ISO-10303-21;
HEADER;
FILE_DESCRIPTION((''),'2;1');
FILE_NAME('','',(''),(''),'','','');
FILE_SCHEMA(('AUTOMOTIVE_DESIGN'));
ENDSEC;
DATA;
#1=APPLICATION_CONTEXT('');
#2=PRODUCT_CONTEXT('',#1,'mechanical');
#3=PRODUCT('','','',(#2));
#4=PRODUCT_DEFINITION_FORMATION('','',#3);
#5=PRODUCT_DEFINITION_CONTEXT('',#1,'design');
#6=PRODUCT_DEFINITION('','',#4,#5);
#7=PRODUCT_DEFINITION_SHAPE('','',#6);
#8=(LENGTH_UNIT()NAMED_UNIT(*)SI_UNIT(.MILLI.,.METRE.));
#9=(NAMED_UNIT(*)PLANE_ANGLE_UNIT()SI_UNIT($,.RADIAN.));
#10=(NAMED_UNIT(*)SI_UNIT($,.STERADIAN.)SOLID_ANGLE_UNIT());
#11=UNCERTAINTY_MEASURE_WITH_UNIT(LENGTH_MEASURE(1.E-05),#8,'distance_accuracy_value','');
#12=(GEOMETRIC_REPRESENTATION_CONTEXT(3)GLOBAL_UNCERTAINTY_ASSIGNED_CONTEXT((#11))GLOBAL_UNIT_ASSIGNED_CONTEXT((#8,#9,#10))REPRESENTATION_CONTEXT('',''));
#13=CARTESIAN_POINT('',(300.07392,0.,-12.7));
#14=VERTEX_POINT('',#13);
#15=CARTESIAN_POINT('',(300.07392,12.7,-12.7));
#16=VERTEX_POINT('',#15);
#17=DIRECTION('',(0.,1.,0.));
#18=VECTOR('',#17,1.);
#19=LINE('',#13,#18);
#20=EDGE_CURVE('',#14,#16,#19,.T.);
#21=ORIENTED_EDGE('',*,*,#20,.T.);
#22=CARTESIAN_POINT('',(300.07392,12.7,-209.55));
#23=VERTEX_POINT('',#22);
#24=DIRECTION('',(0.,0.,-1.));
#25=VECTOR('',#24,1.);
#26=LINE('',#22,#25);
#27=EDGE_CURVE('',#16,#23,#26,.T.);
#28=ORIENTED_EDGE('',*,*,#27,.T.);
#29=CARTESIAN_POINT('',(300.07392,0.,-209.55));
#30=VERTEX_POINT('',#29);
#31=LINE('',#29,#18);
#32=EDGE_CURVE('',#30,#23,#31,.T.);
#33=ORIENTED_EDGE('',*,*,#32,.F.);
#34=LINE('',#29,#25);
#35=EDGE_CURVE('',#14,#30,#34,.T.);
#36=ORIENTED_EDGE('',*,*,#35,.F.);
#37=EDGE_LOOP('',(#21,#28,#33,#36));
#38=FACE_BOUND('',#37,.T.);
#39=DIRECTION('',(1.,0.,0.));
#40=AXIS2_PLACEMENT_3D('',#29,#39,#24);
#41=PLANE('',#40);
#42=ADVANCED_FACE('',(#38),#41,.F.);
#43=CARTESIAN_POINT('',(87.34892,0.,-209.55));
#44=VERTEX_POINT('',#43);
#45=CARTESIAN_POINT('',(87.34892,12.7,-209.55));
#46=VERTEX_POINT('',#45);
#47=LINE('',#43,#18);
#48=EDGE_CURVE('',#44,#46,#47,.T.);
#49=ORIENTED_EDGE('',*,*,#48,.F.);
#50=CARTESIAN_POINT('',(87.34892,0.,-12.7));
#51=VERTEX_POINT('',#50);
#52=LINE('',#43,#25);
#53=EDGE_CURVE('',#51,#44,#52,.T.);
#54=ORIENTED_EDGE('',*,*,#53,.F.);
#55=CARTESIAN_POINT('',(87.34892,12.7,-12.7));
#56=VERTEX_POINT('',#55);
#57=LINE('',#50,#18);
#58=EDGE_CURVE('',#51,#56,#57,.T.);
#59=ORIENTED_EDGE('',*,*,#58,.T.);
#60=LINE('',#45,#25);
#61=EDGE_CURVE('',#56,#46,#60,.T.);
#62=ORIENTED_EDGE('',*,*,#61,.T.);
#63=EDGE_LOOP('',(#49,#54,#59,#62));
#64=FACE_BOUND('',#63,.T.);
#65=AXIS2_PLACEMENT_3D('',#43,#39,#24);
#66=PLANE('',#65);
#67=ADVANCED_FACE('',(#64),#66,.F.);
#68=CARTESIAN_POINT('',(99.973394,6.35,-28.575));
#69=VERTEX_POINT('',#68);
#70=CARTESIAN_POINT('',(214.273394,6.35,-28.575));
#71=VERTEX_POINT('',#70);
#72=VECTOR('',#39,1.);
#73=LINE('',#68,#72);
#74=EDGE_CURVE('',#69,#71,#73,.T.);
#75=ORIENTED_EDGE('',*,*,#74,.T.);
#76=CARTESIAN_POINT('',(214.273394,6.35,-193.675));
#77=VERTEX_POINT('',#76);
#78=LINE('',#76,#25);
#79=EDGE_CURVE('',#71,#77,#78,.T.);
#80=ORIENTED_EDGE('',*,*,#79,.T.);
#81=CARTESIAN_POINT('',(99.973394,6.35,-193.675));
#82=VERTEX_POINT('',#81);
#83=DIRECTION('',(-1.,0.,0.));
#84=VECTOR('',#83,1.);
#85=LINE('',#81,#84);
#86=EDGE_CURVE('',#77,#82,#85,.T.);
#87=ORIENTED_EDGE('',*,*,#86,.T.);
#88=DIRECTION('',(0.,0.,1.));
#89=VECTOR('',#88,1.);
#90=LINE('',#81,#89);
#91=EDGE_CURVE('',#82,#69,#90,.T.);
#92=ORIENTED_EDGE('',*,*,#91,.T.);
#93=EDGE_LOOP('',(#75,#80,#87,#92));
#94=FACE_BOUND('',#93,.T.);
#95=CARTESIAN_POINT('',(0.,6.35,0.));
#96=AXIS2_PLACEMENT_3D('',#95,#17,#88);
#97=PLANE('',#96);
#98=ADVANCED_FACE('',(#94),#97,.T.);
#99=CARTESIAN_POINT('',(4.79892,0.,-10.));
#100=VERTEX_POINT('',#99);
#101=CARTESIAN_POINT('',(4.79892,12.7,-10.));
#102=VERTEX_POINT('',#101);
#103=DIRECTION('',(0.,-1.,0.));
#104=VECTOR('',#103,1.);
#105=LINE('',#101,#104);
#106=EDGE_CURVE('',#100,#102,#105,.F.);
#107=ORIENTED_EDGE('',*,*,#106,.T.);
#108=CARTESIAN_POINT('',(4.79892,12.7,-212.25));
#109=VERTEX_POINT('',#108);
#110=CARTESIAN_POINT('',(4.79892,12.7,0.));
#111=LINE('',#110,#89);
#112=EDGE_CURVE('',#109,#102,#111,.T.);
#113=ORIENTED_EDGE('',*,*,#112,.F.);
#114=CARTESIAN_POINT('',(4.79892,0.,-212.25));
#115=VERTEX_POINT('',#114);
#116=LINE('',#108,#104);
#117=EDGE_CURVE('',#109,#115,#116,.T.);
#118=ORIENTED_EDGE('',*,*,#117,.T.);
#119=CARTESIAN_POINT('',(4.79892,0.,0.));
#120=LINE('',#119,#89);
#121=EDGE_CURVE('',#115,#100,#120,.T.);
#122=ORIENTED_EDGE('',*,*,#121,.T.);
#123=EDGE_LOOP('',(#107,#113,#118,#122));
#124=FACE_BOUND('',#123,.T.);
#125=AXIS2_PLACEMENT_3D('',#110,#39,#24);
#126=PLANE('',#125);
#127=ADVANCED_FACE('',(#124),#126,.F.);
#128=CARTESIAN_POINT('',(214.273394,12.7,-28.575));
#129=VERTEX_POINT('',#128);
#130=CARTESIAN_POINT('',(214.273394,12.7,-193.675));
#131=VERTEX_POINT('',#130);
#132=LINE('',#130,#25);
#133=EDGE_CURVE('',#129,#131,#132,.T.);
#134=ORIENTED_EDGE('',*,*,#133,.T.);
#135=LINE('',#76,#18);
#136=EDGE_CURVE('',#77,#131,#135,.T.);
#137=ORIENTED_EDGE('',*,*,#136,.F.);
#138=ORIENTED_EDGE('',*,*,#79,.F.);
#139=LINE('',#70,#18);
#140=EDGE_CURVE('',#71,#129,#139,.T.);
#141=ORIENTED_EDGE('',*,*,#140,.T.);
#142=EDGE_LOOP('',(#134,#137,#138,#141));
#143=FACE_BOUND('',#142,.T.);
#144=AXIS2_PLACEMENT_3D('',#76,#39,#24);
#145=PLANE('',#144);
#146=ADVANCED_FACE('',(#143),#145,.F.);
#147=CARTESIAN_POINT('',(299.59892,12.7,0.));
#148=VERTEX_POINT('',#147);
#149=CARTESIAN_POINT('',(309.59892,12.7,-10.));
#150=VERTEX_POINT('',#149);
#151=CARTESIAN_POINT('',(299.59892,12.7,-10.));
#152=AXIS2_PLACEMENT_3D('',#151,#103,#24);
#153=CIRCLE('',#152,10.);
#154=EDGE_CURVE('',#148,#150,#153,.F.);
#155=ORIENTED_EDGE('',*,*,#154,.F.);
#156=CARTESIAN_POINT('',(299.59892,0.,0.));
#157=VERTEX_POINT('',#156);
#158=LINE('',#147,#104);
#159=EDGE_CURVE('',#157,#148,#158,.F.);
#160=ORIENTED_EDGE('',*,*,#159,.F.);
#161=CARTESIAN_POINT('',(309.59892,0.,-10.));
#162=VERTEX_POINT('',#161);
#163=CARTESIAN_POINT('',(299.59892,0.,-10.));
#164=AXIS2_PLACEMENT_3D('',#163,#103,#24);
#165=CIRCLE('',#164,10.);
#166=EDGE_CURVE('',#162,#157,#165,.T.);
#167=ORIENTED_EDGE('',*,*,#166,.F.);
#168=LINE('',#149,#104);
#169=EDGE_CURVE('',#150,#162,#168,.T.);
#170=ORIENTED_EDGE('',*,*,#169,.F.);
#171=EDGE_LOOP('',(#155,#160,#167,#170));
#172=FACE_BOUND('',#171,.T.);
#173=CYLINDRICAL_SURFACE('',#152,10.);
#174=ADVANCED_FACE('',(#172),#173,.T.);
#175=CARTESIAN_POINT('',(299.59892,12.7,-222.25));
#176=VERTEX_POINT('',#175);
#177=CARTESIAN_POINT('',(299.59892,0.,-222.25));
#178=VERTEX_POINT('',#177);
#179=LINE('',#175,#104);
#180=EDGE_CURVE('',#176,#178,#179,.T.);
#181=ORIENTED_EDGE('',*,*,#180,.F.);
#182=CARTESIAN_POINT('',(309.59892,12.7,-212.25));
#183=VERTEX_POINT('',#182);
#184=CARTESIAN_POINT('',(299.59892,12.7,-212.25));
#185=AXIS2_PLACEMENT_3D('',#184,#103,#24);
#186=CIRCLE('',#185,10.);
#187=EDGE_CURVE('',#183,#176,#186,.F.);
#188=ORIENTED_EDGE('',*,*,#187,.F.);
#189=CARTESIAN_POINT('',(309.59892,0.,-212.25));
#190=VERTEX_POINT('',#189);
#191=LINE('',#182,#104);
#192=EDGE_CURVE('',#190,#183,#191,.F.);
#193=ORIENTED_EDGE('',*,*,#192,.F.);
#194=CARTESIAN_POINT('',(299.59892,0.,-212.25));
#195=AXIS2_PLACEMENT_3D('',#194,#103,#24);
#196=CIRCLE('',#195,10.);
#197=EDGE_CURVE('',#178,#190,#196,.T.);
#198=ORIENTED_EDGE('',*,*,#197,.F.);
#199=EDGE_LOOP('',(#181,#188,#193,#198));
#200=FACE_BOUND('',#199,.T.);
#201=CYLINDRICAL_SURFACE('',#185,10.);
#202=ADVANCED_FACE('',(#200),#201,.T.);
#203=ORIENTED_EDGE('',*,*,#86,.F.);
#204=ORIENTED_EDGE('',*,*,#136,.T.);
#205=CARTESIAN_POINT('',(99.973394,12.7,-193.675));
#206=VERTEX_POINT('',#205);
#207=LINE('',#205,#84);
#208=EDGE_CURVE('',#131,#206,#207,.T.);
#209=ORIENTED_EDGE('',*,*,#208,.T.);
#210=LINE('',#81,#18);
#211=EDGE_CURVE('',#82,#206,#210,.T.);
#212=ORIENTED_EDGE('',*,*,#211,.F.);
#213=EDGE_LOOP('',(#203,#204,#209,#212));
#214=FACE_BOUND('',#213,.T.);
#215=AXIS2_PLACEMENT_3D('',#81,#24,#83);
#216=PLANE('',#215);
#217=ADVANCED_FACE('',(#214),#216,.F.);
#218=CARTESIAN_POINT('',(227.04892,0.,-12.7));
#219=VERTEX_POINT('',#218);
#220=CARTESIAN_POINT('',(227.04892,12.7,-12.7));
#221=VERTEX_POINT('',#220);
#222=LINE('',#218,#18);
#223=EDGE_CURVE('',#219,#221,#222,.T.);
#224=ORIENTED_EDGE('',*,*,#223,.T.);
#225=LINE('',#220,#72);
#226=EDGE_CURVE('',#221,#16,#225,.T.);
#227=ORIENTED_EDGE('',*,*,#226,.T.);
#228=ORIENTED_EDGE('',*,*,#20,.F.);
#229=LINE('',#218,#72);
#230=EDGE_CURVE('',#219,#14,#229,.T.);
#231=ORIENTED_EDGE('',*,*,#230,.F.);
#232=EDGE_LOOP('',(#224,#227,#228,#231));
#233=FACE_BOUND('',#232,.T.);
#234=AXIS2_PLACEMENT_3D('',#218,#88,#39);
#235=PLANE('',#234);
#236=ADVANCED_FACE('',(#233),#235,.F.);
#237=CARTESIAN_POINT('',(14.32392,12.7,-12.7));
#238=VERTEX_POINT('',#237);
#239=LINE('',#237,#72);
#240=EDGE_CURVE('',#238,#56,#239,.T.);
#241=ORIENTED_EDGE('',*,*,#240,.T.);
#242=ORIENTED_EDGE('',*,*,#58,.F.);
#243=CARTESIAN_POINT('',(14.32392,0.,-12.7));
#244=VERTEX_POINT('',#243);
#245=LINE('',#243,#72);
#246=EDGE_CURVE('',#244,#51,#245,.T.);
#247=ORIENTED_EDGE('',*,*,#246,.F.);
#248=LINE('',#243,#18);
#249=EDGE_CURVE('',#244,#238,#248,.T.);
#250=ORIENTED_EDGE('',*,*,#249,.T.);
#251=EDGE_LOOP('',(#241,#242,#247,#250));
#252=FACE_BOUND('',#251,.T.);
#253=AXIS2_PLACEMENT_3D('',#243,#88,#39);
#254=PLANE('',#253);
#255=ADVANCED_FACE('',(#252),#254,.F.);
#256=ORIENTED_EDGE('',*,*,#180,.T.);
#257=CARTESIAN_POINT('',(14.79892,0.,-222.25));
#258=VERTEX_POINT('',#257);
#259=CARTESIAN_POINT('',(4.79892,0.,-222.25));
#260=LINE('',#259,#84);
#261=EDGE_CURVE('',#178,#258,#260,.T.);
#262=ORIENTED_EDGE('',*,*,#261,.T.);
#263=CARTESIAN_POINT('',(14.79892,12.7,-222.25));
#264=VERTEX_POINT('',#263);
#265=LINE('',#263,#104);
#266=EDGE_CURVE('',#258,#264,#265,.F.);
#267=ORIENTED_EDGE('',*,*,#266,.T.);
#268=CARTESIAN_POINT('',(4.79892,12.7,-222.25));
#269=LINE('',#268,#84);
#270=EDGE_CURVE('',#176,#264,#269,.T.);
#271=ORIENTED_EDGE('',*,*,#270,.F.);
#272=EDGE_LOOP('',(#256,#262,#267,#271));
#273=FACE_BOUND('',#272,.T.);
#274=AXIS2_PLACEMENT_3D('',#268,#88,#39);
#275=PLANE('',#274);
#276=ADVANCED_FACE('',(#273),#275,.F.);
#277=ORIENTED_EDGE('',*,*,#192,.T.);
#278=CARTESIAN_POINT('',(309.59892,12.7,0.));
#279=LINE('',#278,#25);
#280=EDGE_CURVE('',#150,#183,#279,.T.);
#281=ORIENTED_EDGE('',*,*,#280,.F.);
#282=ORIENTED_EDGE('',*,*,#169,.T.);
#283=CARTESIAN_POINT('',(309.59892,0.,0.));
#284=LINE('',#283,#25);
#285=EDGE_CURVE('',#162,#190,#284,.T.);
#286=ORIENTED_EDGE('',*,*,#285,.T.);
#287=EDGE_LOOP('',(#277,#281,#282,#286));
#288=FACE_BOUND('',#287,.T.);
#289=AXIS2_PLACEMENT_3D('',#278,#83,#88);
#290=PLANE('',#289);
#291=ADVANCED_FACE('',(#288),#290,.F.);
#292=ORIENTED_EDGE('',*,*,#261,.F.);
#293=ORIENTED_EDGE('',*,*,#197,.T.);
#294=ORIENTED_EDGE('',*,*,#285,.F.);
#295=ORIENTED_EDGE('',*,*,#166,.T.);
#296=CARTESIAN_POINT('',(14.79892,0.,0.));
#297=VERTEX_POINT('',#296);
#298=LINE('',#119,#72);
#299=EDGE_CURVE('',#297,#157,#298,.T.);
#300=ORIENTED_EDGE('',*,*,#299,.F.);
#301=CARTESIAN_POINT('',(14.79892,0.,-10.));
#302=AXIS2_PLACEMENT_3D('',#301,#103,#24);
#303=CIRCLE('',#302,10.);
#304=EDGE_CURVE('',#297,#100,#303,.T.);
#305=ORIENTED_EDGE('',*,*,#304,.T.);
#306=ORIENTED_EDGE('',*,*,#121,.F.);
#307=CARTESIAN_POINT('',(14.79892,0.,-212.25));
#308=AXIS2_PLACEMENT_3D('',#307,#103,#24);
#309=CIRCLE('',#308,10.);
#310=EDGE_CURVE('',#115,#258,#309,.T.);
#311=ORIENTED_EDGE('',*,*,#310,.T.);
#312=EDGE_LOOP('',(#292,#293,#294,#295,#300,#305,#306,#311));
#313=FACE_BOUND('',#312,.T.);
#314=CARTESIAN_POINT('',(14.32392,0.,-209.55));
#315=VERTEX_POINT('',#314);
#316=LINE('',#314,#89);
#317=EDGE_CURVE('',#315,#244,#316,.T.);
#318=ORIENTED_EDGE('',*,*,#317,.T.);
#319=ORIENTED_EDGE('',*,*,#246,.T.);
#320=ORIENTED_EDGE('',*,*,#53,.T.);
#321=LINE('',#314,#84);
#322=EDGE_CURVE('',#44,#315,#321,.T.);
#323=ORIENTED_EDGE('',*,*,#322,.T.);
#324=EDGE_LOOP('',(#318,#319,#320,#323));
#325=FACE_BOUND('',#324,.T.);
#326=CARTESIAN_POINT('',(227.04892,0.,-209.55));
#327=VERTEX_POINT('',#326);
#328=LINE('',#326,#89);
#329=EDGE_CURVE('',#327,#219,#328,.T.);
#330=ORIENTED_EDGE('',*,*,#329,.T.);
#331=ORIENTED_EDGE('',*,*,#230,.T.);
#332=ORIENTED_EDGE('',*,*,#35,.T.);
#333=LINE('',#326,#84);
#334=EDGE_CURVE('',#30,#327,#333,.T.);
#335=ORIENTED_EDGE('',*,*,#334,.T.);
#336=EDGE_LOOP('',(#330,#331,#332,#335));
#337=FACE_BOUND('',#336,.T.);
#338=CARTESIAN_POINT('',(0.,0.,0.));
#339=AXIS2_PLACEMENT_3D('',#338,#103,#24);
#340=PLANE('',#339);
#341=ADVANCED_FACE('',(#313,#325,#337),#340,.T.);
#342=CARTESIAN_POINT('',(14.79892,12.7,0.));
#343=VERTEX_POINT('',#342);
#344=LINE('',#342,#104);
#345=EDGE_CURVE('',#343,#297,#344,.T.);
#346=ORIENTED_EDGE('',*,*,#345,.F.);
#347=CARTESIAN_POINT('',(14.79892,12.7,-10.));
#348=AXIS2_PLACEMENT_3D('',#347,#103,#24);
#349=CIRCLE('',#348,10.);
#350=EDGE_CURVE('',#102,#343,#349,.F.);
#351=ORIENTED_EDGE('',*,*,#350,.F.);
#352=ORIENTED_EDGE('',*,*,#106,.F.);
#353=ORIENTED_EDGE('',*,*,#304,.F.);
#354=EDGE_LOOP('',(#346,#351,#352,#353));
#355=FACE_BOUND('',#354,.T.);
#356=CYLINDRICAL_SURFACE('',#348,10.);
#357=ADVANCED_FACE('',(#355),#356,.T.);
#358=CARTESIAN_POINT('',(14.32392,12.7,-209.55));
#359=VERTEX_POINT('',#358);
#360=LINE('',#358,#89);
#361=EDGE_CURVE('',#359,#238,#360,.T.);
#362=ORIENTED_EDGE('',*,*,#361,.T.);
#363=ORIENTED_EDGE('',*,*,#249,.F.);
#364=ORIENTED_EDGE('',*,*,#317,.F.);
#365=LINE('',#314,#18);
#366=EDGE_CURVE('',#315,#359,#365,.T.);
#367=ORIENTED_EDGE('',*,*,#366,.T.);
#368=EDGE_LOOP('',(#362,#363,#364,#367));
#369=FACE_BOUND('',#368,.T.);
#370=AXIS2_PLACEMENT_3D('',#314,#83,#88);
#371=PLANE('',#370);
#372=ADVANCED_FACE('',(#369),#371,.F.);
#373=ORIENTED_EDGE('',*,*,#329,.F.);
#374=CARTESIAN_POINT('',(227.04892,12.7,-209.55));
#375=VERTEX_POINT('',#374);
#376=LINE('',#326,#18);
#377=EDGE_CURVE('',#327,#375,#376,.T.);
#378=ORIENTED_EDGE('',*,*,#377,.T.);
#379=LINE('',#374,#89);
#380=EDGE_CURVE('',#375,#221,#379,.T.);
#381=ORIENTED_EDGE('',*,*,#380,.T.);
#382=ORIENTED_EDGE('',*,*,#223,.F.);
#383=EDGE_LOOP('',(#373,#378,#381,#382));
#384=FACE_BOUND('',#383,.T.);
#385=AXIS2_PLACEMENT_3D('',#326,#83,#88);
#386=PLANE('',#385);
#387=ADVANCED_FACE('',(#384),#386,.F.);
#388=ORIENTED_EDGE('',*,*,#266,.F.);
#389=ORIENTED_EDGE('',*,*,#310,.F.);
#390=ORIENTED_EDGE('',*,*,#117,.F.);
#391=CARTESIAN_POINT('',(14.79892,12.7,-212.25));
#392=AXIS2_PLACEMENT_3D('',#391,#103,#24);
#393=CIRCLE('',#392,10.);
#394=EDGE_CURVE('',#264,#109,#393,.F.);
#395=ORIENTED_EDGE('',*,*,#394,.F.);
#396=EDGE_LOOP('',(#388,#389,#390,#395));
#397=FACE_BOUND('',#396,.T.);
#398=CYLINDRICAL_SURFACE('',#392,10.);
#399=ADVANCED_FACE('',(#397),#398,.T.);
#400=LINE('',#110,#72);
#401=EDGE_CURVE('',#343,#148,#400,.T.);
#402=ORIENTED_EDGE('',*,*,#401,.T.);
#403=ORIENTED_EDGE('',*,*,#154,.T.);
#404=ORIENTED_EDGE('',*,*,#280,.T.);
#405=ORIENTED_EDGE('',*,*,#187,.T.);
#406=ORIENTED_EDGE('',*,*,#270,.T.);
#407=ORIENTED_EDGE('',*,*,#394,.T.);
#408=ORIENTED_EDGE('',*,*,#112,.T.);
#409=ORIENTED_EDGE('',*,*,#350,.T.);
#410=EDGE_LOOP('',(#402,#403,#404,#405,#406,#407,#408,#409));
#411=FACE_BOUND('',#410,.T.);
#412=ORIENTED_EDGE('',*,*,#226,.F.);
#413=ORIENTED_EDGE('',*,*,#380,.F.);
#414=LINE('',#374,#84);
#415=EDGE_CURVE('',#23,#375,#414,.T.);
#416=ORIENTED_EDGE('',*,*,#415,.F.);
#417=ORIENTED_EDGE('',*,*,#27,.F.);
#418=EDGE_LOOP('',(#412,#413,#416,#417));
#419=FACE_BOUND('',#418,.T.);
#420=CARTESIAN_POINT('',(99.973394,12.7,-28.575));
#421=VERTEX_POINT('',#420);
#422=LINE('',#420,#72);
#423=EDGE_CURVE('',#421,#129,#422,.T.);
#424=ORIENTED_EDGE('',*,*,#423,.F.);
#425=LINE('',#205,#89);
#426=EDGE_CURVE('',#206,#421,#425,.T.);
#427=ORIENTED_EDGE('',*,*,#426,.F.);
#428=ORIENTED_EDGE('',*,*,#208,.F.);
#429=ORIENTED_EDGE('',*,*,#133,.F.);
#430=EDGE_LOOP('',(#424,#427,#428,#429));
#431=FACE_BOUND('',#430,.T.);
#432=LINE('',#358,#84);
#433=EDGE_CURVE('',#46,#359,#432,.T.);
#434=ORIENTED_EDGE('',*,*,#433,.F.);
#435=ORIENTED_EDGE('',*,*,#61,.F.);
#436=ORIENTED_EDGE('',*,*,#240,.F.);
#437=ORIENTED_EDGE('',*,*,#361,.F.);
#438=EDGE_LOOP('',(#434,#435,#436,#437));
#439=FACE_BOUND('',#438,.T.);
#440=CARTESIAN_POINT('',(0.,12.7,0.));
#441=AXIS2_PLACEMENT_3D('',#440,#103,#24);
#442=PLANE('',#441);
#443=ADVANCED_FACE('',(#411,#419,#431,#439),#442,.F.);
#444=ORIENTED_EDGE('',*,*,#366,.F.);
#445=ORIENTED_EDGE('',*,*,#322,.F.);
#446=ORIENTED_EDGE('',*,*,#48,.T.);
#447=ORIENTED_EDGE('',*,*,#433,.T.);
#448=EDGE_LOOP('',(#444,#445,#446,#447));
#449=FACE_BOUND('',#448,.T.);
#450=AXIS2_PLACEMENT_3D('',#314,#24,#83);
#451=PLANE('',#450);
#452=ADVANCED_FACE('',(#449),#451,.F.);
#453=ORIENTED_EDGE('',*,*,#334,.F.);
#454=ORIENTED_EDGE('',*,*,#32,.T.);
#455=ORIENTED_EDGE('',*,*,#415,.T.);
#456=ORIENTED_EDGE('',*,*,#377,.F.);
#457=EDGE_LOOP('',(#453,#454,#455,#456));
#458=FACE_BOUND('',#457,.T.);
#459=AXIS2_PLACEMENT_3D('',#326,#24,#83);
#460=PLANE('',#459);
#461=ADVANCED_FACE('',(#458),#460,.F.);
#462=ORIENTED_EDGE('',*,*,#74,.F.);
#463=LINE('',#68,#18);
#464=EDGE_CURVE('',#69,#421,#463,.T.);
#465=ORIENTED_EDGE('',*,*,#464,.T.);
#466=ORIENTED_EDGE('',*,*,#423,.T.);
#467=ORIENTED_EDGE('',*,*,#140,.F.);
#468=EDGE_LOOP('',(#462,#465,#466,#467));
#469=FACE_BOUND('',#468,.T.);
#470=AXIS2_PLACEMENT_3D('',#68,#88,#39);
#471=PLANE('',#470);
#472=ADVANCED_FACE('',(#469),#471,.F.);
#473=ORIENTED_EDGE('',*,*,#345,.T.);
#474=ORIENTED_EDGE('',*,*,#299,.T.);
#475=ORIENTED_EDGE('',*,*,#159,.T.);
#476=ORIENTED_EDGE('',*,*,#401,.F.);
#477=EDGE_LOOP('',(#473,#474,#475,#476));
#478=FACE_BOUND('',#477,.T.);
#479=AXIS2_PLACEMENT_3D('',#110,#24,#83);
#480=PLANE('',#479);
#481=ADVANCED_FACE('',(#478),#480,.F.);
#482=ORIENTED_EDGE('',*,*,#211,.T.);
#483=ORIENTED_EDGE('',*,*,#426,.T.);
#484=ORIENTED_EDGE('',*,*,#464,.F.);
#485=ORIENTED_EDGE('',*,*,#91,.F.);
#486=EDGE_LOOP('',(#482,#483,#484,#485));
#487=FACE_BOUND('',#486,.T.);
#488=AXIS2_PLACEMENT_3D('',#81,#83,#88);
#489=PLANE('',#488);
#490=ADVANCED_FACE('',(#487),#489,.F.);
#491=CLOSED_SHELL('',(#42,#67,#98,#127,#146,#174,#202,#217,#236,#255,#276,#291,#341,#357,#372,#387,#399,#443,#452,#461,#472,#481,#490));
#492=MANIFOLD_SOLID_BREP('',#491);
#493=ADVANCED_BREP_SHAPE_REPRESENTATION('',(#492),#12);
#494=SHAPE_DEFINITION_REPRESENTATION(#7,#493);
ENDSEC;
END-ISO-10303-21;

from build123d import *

# Parameters (mm, degrees)
SKETCH1_W           = 304.8
SKETCH1_H           = 222.25
BOSS_EXTRUDE1_DEPTH = 12.7
SKETCH2_W           = 73.025
SKETCH2_H           = 196.85
CUT_EXTRUDE1_DEPTH  = 12.7
SKETCH3_W           = 114.3
SKETCH3_H           = 165.1
CUT_EXTRUDE2_DEPTH  = 6.35
FILLET1_R           = 10


with BuildPart() as part:
    # Sketch1 → Boss-Extrude1 (new body)
    with BuildSketch(Plane(origin=(0, 0, 0), x_dir=(1, 0, 0), z_dir=(0, 1, 0))):
        with Locations((157.198920378, 111.125)):
            Rectangle(SKETCH1_W, SKETCH1_H)
    extrude(amount=BOSS_EXTRUDE1_DEPTH)

    # Sketch2 → Cut-Extrude1 (cut)
    with BuildSketch(Plane(origin=(0, 12.7, 0), x_dir=(1, 0, 0), z_dir=(0, 1, 0))):
        with Locations((50.836420378, 111.125)):
            Rectangle(SKETCH2_W, SKETCH2_H)
        with Locations((263.561420378, 111.125)):
            Rectangle(SKETCH2_W, SKETCH2_H)
    extrude(amount=-CUT_EXTRUDE1_DEPTH, mode=Mode.SUBTRACT)

    # Sketch3 → Cut-Extrude2 (cut)
    with BuildSketch(Plane(origin=(0, 12.7, 0), x_dir=(1, 0, 0), z_dir=(0, 1, 0))):
        with Locations((157.123394244, 111.125)):
            Rectangle(SKETCH3_W, SKETCH3_H)
    extrude(amount=-CUT_EXTRUDE2_DEPTH, mode=Mode.SUBTRACT)

    # Fillet1
    fillet1_edges = [part.edges().sort_by_distance(p)[0] for p in [
        (4.798920378, 6.35, -222.25),
        (309.598920378, 6.35, -222.25),
        (309.598920378, 6.35, 0),
        (4.798920378, 6.35, 0),
    ]]
    fillet(fillet1_edges, radius=FILLET1_R)


solid = part.part
